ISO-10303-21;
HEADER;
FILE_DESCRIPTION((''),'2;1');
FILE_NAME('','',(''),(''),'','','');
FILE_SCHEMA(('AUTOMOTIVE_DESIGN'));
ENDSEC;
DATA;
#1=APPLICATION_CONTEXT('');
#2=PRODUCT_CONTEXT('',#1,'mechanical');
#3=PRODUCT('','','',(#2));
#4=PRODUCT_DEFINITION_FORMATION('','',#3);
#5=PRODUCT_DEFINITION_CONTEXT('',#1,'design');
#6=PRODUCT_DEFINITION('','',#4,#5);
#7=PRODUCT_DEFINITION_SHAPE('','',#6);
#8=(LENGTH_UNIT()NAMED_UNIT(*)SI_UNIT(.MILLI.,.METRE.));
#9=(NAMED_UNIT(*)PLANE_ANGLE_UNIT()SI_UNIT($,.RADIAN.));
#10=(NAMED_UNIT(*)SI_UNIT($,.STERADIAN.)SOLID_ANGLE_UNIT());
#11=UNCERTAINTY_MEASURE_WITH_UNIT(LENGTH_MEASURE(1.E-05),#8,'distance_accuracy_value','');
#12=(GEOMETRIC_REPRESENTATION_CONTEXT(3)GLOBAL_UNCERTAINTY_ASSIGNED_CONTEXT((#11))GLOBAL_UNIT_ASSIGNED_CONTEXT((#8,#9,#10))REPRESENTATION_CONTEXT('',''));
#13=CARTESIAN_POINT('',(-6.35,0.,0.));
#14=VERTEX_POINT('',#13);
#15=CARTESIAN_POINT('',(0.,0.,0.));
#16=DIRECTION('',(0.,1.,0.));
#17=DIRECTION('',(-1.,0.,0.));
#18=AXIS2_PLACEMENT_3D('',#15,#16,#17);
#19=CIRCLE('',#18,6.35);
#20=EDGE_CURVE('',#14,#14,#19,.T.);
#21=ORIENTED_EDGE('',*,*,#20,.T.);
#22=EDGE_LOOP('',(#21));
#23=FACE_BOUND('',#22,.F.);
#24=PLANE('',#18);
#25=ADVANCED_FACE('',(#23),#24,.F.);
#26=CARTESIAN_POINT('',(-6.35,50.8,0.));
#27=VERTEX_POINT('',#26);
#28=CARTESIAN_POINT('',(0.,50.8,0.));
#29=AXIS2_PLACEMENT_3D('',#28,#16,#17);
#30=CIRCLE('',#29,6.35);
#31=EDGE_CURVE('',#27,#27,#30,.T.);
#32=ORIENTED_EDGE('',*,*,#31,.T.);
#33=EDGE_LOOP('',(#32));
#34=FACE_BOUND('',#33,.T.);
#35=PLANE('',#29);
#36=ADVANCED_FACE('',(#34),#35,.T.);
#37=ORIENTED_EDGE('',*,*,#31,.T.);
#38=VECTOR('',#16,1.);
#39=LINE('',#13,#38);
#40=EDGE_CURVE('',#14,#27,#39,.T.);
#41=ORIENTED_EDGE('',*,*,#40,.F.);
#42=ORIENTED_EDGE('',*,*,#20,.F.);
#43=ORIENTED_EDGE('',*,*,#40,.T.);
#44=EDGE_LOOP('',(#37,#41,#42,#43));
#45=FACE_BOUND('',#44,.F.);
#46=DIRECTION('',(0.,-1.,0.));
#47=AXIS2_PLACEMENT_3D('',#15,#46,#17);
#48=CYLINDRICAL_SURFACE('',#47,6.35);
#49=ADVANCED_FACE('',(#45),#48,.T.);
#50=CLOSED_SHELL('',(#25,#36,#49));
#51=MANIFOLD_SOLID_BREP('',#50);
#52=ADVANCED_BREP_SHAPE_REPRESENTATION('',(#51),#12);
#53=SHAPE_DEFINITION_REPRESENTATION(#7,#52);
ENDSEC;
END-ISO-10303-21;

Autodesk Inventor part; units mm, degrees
ref_plane "YZ Plane" through (0, 0, 0) normal (1, 0, 0) x (0, 1, 0)
ref_plane "XZ Plane" through (0, 0, 0) normal (0, 1, 0) x (-1, 0, 0)
ref_plane "XY Plane" through (0, 0, 0) normal (0, 0, 1) x (1, 0, 0)
sketch "Sketch1" plane through (0, 0, 0) normal (0, 1, 0) x (-1, 0, 0)
  circle A0 centre (0, 0) radius 6.35
  dimension "d0" = 12.7
extrude "Extrusion1" add sketch "Sketch1" along normal blind 50.8
properties part number "0.5 in shaft"
